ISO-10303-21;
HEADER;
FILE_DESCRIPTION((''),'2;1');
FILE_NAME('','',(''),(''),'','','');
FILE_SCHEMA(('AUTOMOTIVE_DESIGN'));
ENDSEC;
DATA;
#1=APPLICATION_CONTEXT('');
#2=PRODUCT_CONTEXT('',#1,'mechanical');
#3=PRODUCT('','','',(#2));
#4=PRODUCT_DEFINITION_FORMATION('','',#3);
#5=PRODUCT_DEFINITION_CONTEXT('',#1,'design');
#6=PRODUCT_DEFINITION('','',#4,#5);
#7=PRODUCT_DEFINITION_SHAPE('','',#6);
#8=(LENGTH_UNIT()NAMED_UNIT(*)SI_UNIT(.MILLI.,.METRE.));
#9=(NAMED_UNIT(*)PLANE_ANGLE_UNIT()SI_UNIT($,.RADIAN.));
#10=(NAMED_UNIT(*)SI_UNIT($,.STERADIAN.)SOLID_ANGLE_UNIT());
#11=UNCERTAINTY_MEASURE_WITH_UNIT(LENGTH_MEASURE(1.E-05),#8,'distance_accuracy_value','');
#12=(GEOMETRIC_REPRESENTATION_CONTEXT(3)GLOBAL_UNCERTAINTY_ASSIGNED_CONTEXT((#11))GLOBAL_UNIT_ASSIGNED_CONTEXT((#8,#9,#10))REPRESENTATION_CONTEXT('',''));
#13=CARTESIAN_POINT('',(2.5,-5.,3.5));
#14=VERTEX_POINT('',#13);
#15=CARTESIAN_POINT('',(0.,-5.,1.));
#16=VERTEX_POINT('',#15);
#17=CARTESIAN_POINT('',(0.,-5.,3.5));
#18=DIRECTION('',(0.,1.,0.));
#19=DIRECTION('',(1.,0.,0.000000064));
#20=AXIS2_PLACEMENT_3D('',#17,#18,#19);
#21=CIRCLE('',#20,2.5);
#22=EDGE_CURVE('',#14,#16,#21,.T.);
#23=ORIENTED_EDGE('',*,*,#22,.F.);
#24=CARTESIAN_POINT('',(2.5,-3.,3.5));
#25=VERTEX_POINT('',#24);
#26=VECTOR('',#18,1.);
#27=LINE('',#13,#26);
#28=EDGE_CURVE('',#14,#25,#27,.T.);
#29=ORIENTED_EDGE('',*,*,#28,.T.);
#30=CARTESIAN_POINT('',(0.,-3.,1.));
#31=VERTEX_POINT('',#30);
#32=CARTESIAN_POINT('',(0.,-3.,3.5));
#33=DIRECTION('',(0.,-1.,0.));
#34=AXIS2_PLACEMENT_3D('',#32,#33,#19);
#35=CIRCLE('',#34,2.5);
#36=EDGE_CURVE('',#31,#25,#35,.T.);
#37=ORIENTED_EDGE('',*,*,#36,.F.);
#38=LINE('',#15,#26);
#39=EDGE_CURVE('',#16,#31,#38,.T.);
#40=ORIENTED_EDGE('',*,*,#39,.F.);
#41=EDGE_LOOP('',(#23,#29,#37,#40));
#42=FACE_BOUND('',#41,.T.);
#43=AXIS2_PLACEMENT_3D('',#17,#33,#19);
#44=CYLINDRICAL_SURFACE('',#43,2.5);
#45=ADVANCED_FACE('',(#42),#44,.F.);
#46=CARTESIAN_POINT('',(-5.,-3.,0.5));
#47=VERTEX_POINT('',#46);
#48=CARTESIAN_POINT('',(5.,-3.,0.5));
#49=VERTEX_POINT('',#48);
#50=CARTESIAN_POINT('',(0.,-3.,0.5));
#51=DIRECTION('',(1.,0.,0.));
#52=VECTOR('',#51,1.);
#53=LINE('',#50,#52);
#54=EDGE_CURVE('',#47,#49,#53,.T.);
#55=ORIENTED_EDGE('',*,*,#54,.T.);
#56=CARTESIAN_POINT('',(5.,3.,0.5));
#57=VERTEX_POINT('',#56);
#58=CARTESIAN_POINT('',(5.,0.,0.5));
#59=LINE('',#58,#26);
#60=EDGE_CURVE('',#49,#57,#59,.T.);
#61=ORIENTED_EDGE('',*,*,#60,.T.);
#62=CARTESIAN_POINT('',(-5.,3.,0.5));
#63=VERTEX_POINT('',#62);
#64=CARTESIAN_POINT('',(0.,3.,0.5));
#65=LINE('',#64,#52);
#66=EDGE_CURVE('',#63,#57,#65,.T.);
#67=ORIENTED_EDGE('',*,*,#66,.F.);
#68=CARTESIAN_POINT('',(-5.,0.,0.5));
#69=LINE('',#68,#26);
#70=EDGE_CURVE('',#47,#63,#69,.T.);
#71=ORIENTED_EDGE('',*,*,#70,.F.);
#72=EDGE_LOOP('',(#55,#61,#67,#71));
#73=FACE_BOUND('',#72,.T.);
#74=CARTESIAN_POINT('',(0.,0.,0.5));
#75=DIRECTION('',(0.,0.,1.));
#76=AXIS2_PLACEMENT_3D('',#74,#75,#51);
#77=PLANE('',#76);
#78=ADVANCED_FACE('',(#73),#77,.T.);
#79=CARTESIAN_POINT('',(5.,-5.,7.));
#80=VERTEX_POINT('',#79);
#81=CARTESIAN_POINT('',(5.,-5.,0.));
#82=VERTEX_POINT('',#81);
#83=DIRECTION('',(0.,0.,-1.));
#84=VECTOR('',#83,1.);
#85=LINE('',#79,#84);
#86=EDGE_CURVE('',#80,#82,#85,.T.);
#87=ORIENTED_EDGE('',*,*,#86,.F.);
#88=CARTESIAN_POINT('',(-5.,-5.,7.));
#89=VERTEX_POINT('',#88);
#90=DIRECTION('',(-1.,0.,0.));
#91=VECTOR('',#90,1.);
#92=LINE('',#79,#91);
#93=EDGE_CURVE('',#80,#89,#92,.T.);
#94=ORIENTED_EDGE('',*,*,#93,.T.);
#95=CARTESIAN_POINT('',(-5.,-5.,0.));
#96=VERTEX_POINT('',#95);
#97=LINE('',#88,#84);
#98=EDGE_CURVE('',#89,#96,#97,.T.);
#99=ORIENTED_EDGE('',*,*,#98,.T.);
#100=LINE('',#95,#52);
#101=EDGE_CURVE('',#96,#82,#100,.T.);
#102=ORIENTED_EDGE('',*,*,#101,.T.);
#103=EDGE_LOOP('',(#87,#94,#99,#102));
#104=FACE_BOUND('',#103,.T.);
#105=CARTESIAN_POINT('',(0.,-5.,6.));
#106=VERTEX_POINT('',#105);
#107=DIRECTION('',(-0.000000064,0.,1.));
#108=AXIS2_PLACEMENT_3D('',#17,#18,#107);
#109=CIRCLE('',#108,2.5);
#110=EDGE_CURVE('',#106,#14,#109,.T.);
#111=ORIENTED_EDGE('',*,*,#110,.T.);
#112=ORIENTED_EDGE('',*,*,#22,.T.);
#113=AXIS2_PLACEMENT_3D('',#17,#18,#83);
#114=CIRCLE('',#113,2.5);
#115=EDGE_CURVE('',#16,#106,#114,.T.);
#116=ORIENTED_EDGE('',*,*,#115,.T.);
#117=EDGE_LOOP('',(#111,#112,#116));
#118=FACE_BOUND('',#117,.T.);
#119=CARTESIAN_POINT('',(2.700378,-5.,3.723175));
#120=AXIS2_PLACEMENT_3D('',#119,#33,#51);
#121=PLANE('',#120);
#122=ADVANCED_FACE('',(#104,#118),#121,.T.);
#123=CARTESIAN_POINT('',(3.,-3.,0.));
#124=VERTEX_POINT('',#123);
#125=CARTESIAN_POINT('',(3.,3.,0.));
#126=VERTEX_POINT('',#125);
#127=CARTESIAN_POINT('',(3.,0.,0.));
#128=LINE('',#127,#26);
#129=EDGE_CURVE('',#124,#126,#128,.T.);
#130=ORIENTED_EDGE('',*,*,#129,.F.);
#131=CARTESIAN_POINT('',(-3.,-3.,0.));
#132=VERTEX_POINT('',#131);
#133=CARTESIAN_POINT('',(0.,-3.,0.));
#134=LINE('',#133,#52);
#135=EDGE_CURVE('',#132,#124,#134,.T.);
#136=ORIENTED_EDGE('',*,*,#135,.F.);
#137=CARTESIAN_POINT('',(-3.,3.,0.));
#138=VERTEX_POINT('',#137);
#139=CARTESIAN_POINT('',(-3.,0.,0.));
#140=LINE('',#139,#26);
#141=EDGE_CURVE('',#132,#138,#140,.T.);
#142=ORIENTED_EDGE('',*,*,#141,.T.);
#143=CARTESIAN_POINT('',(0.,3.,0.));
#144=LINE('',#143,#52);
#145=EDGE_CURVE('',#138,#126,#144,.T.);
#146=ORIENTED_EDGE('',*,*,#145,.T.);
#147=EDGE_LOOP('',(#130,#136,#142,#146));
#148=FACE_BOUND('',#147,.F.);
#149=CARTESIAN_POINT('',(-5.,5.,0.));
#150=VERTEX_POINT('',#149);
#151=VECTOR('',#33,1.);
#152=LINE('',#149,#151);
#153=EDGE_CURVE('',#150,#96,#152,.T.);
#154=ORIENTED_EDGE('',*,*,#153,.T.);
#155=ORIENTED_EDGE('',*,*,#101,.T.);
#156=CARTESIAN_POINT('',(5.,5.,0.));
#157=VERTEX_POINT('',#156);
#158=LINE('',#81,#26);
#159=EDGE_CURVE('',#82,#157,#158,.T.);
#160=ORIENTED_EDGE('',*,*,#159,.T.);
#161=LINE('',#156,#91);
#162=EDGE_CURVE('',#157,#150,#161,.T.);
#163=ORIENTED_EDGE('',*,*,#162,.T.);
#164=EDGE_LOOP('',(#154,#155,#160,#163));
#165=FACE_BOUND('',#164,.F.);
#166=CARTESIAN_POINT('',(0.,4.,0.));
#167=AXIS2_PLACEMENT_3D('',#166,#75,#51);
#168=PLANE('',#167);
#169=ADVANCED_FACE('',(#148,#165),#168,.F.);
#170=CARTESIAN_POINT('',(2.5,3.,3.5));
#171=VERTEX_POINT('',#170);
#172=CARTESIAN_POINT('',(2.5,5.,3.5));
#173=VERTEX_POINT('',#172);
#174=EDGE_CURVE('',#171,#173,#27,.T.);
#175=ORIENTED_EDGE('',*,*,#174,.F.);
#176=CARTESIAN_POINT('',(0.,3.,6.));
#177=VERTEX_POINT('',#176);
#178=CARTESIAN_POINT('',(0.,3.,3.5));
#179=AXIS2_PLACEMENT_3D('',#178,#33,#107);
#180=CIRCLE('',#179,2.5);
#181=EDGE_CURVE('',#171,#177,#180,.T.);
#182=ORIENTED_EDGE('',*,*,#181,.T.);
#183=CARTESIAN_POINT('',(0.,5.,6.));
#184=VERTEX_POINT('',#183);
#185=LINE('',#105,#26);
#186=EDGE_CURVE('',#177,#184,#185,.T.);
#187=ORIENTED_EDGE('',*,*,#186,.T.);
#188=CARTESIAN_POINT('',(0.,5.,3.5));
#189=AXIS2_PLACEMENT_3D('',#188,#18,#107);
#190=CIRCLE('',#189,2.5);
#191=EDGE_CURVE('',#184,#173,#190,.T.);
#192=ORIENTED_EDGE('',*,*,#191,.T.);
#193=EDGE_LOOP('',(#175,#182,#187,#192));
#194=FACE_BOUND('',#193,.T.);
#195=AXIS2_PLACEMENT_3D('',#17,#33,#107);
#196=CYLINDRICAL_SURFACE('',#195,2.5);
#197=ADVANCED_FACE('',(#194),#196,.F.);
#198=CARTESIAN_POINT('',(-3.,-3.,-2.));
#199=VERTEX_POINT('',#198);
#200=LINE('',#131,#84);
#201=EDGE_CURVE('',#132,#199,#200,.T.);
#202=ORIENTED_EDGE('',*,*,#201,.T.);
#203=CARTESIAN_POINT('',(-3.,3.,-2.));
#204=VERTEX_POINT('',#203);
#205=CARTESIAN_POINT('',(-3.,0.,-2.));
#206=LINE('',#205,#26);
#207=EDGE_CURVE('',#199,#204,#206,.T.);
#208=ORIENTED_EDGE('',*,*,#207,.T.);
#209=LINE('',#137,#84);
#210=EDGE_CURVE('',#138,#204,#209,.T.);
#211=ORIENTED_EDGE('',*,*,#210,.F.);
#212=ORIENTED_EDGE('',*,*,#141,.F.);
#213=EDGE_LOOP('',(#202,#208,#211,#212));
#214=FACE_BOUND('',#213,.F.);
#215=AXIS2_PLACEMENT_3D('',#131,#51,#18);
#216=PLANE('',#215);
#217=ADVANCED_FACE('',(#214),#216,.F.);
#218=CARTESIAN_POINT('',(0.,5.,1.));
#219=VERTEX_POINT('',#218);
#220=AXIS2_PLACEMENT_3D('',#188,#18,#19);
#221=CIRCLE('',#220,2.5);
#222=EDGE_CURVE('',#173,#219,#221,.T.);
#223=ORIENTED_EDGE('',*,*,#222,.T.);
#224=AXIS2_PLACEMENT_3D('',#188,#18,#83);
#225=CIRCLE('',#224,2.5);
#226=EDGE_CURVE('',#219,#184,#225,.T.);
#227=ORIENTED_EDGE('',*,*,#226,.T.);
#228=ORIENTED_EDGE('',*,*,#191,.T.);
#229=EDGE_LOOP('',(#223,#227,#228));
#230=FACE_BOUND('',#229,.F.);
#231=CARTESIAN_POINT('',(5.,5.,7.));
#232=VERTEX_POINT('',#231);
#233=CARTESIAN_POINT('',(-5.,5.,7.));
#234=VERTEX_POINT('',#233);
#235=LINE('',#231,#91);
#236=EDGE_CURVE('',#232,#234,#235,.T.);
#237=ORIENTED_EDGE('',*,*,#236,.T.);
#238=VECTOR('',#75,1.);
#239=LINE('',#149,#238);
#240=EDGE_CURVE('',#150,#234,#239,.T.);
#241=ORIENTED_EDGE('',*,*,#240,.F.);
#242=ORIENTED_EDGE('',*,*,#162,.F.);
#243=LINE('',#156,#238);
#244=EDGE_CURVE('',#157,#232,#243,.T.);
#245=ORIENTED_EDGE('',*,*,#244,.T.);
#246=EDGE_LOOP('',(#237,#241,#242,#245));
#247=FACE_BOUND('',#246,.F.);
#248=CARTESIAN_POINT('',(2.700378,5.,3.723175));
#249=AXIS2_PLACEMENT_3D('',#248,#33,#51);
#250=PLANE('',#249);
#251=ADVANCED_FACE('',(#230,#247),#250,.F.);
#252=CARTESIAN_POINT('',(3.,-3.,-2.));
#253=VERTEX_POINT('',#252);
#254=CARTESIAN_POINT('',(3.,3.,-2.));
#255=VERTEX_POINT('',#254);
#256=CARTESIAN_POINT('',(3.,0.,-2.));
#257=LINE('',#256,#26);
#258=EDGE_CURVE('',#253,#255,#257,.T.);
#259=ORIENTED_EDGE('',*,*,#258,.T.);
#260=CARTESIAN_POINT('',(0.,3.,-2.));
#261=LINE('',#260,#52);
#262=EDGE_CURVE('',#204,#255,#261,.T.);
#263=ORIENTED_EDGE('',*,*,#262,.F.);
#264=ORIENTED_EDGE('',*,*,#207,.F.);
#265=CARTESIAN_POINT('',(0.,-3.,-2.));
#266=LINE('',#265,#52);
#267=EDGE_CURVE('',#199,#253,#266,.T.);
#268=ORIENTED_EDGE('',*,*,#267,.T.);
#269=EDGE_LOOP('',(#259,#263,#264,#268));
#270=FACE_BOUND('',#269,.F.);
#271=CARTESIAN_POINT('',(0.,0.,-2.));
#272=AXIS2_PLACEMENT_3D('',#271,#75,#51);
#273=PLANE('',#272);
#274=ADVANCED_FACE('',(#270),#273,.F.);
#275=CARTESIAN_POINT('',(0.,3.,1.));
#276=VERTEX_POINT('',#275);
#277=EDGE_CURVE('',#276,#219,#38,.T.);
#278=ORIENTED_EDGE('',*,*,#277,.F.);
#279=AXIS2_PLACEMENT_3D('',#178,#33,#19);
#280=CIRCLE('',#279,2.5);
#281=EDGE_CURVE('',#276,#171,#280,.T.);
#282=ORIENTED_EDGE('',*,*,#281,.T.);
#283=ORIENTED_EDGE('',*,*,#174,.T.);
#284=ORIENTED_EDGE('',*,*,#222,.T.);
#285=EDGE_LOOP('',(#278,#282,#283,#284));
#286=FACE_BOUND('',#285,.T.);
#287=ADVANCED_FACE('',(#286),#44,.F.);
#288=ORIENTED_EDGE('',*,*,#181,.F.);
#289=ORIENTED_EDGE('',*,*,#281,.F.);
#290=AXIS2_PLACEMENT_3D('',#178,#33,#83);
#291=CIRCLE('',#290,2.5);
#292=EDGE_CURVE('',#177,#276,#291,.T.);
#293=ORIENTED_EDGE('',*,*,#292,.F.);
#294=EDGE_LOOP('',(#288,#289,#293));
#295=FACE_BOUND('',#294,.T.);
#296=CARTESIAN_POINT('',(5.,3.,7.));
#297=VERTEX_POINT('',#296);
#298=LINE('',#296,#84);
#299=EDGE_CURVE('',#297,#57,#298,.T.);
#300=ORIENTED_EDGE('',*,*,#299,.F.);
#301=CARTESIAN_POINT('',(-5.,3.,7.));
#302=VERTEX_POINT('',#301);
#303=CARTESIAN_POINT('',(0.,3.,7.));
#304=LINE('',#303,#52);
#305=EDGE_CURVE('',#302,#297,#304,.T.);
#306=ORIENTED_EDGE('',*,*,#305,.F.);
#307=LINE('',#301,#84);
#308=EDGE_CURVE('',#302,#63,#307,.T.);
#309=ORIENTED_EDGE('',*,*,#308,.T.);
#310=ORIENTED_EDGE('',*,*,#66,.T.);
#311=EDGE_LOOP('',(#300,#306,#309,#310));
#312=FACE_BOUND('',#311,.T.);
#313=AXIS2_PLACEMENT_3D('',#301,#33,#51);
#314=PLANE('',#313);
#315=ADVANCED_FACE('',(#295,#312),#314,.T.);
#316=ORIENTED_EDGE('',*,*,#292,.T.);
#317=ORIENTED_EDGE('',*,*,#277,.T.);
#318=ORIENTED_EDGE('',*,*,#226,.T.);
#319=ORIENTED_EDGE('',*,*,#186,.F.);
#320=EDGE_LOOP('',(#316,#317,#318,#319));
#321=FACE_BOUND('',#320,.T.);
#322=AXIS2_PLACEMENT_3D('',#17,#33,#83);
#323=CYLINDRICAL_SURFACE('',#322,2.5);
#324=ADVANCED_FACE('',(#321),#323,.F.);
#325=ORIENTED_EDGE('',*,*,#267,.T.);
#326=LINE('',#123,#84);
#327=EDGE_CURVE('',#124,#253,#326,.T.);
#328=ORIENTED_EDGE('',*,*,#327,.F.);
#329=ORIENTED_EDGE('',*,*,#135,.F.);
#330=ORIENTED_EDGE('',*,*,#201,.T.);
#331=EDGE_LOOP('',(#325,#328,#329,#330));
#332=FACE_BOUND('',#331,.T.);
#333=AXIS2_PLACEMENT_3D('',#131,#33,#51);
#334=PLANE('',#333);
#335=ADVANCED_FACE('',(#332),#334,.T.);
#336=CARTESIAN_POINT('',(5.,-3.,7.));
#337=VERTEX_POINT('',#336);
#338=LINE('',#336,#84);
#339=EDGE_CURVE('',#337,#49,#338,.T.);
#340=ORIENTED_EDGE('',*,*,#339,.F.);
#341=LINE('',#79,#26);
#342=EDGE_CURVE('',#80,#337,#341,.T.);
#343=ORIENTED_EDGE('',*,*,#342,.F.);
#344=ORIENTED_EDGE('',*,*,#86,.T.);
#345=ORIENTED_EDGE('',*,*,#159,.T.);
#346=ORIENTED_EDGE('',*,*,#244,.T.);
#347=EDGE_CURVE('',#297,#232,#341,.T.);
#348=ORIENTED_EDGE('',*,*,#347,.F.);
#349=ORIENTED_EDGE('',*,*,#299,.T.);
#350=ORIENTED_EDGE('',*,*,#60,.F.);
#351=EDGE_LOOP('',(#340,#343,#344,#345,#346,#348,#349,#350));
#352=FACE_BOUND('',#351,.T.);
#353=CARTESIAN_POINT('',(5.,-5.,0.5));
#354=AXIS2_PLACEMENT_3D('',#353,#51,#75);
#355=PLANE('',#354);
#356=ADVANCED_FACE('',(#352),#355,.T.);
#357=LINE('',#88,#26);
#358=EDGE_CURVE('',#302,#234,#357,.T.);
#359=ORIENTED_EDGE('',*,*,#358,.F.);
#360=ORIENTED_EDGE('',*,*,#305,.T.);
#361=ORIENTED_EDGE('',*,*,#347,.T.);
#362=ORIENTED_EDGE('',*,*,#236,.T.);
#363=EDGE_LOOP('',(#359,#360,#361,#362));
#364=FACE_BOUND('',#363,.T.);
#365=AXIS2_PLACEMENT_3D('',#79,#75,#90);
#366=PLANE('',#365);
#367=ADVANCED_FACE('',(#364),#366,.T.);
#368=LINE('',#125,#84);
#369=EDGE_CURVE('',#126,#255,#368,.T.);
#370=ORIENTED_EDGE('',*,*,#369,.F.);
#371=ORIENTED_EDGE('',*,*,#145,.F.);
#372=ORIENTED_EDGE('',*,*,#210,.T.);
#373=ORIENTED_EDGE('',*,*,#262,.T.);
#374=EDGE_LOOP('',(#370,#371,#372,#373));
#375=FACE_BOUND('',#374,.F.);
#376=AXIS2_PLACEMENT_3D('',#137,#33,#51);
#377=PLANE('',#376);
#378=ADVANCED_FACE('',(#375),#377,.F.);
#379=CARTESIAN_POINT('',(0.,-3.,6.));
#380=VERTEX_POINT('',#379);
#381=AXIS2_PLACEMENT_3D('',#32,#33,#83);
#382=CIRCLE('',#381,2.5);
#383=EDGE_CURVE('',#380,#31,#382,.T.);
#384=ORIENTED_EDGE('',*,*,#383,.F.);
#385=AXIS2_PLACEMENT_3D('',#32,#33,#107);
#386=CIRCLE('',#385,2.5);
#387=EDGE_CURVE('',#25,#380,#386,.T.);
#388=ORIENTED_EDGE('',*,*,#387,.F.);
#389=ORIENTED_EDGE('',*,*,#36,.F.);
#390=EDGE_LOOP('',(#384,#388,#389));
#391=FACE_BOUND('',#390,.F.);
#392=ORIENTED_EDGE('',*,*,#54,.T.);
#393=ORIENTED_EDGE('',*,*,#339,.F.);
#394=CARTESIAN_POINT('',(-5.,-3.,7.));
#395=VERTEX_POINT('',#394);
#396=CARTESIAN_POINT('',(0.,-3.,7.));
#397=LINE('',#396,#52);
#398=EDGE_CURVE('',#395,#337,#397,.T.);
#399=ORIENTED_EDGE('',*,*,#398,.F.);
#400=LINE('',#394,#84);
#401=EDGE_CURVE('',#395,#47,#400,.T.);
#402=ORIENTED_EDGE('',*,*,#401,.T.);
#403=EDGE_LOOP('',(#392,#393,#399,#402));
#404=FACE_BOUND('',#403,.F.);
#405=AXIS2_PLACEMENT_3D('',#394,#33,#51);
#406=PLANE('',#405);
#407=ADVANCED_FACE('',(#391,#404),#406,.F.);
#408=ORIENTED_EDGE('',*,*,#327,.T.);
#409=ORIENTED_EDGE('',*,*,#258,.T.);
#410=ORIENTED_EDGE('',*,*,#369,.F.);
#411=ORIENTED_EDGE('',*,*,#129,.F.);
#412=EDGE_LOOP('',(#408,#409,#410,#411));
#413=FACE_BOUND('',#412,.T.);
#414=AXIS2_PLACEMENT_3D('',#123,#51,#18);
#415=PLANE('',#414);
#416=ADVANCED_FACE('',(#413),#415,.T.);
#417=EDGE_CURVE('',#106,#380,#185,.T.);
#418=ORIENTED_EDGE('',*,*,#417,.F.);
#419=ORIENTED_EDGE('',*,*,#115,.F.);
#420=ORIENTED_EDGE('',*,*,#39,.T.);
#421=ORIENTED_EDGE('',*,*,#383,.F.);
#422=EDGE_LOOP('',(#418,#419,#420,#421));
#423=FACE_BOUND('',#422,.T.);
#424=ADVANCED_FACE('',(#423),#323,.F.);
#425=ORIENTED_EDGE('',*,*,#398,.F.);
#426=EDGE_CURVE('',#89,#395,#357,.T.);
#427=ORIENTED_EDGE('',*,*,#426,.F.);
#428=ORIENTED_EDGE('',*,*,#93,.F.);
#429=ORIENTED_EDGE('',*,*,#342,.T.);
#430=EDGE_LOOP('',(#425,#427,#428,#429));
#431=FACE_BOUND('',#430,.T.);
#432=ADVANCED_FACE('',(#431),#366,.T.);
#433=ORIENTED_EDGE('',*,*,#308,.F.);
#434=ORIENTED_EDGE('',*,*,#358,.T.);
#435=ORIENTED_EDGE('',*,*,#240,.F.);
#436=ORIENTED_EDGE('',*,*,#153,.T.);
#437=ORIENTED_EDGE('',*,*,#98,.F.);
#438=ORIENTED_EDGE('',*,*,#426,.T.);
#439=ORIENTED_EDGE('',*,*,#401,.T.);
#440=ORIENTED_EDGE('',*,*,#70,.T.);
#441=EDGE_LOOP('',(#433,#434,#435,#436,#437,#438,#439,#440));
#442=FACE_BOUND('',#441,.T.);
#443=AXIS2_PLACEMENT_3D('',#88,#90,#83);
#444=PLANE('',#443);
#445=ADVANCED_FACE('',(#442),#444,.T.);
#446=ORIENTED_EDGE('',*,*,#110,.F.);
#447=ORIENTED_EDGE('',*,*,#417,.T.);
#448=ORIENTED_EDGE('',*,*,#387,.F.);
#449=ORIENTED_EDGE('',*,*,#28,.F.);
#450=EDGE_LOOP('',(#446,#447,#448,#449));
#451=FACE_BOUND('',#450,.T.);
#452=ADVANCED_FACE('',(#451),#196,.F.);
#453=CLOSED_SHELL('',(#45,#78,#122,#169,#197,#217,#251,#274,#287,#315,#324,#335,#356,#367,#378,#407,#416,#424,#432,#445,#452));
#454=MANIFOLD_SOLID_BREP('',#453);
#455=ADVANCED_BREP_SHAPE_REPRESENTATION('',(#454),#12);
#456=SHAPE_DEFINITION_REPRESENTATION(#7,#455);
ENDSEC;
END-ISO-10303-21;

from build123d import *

# Parameters (mm, degrees)
F0_W     = 6
F0_H     = 6
F1_DEPTH = 2
F0_W_2   = 2
F2_DEPTH = 0.5
F4_DEPTH = 10
F5_W     = 10
F5_H     = 6
F6_DEPTH = 6.5


with BuildPart() as f1:
    # F0 (on Top) → F1 (new body)
    with BuildSketch(Plane.XY):
        Rectangle(F0_W, F0_H)
    extrude(amount=-F1_DEPTH)

    # F0 (on Top) → F2 (join)
    with BuildSketch(Plane.XY):
        Polygon((5, 3), (5, 5), (-5, 5), (-5, 3), (-3, 3), (3, 3), align=None)
        Rectangle(F0_W, F0_H)
        with Locations((-4, 0)):
            Rectangle(F0_W_2, F0_H)
        Polygon((5, -5), (5, -3), (3, -3), (-3, -3), (-5, -3), (-5, -5), align=None)
        with Locations((4, 0)):
            Rectangle(F0_W_2, F0_H)
    extrude(amount=F2_DEPTH)

    # F3 (on face) → F4 (join)
    with BuildSketch(Plane.XZ.offset(5)):
        with BuildLine():
            Line((0, 1), (0, 0.5))
            Line((0, 0.5), (5, 0.5))
            Line((5, 0.5), (5, 7))
            Line((5, 7), (0, 7))
            Line((0, 7), (0, 6))
            ThreePointArc((0, 6), (1.767767, 5.267767), (2.5, 3.5))
            ThreePointArc((2.5, 3.5), (1.767767, 1.732233), (0, 1))
        make_face()
        with BuildLine():
            Line((-5, 7), (-5, 0.5))
            Line((-5, 0.5), (0, 0.5))
            Line((0, 0.5), (0, 1))
            ThreePointArc((0, 1), (-2.5, 3.5), (0, 6))
            Line((0, 6), (0, 7))
            Line((0, 7), (-5, 7))
        make_face()
    extrude(amount=-F4_DEPTH)

    # F5 (on face) → F6 (cut)
    with BuildSketch(Plane.XY.offset(7)):
        Rectangle(F5_W, F5_H)
    extrude(amount=-F6_DEPTH, mode=Mode.SUBTRACT)


solid = f1.part
